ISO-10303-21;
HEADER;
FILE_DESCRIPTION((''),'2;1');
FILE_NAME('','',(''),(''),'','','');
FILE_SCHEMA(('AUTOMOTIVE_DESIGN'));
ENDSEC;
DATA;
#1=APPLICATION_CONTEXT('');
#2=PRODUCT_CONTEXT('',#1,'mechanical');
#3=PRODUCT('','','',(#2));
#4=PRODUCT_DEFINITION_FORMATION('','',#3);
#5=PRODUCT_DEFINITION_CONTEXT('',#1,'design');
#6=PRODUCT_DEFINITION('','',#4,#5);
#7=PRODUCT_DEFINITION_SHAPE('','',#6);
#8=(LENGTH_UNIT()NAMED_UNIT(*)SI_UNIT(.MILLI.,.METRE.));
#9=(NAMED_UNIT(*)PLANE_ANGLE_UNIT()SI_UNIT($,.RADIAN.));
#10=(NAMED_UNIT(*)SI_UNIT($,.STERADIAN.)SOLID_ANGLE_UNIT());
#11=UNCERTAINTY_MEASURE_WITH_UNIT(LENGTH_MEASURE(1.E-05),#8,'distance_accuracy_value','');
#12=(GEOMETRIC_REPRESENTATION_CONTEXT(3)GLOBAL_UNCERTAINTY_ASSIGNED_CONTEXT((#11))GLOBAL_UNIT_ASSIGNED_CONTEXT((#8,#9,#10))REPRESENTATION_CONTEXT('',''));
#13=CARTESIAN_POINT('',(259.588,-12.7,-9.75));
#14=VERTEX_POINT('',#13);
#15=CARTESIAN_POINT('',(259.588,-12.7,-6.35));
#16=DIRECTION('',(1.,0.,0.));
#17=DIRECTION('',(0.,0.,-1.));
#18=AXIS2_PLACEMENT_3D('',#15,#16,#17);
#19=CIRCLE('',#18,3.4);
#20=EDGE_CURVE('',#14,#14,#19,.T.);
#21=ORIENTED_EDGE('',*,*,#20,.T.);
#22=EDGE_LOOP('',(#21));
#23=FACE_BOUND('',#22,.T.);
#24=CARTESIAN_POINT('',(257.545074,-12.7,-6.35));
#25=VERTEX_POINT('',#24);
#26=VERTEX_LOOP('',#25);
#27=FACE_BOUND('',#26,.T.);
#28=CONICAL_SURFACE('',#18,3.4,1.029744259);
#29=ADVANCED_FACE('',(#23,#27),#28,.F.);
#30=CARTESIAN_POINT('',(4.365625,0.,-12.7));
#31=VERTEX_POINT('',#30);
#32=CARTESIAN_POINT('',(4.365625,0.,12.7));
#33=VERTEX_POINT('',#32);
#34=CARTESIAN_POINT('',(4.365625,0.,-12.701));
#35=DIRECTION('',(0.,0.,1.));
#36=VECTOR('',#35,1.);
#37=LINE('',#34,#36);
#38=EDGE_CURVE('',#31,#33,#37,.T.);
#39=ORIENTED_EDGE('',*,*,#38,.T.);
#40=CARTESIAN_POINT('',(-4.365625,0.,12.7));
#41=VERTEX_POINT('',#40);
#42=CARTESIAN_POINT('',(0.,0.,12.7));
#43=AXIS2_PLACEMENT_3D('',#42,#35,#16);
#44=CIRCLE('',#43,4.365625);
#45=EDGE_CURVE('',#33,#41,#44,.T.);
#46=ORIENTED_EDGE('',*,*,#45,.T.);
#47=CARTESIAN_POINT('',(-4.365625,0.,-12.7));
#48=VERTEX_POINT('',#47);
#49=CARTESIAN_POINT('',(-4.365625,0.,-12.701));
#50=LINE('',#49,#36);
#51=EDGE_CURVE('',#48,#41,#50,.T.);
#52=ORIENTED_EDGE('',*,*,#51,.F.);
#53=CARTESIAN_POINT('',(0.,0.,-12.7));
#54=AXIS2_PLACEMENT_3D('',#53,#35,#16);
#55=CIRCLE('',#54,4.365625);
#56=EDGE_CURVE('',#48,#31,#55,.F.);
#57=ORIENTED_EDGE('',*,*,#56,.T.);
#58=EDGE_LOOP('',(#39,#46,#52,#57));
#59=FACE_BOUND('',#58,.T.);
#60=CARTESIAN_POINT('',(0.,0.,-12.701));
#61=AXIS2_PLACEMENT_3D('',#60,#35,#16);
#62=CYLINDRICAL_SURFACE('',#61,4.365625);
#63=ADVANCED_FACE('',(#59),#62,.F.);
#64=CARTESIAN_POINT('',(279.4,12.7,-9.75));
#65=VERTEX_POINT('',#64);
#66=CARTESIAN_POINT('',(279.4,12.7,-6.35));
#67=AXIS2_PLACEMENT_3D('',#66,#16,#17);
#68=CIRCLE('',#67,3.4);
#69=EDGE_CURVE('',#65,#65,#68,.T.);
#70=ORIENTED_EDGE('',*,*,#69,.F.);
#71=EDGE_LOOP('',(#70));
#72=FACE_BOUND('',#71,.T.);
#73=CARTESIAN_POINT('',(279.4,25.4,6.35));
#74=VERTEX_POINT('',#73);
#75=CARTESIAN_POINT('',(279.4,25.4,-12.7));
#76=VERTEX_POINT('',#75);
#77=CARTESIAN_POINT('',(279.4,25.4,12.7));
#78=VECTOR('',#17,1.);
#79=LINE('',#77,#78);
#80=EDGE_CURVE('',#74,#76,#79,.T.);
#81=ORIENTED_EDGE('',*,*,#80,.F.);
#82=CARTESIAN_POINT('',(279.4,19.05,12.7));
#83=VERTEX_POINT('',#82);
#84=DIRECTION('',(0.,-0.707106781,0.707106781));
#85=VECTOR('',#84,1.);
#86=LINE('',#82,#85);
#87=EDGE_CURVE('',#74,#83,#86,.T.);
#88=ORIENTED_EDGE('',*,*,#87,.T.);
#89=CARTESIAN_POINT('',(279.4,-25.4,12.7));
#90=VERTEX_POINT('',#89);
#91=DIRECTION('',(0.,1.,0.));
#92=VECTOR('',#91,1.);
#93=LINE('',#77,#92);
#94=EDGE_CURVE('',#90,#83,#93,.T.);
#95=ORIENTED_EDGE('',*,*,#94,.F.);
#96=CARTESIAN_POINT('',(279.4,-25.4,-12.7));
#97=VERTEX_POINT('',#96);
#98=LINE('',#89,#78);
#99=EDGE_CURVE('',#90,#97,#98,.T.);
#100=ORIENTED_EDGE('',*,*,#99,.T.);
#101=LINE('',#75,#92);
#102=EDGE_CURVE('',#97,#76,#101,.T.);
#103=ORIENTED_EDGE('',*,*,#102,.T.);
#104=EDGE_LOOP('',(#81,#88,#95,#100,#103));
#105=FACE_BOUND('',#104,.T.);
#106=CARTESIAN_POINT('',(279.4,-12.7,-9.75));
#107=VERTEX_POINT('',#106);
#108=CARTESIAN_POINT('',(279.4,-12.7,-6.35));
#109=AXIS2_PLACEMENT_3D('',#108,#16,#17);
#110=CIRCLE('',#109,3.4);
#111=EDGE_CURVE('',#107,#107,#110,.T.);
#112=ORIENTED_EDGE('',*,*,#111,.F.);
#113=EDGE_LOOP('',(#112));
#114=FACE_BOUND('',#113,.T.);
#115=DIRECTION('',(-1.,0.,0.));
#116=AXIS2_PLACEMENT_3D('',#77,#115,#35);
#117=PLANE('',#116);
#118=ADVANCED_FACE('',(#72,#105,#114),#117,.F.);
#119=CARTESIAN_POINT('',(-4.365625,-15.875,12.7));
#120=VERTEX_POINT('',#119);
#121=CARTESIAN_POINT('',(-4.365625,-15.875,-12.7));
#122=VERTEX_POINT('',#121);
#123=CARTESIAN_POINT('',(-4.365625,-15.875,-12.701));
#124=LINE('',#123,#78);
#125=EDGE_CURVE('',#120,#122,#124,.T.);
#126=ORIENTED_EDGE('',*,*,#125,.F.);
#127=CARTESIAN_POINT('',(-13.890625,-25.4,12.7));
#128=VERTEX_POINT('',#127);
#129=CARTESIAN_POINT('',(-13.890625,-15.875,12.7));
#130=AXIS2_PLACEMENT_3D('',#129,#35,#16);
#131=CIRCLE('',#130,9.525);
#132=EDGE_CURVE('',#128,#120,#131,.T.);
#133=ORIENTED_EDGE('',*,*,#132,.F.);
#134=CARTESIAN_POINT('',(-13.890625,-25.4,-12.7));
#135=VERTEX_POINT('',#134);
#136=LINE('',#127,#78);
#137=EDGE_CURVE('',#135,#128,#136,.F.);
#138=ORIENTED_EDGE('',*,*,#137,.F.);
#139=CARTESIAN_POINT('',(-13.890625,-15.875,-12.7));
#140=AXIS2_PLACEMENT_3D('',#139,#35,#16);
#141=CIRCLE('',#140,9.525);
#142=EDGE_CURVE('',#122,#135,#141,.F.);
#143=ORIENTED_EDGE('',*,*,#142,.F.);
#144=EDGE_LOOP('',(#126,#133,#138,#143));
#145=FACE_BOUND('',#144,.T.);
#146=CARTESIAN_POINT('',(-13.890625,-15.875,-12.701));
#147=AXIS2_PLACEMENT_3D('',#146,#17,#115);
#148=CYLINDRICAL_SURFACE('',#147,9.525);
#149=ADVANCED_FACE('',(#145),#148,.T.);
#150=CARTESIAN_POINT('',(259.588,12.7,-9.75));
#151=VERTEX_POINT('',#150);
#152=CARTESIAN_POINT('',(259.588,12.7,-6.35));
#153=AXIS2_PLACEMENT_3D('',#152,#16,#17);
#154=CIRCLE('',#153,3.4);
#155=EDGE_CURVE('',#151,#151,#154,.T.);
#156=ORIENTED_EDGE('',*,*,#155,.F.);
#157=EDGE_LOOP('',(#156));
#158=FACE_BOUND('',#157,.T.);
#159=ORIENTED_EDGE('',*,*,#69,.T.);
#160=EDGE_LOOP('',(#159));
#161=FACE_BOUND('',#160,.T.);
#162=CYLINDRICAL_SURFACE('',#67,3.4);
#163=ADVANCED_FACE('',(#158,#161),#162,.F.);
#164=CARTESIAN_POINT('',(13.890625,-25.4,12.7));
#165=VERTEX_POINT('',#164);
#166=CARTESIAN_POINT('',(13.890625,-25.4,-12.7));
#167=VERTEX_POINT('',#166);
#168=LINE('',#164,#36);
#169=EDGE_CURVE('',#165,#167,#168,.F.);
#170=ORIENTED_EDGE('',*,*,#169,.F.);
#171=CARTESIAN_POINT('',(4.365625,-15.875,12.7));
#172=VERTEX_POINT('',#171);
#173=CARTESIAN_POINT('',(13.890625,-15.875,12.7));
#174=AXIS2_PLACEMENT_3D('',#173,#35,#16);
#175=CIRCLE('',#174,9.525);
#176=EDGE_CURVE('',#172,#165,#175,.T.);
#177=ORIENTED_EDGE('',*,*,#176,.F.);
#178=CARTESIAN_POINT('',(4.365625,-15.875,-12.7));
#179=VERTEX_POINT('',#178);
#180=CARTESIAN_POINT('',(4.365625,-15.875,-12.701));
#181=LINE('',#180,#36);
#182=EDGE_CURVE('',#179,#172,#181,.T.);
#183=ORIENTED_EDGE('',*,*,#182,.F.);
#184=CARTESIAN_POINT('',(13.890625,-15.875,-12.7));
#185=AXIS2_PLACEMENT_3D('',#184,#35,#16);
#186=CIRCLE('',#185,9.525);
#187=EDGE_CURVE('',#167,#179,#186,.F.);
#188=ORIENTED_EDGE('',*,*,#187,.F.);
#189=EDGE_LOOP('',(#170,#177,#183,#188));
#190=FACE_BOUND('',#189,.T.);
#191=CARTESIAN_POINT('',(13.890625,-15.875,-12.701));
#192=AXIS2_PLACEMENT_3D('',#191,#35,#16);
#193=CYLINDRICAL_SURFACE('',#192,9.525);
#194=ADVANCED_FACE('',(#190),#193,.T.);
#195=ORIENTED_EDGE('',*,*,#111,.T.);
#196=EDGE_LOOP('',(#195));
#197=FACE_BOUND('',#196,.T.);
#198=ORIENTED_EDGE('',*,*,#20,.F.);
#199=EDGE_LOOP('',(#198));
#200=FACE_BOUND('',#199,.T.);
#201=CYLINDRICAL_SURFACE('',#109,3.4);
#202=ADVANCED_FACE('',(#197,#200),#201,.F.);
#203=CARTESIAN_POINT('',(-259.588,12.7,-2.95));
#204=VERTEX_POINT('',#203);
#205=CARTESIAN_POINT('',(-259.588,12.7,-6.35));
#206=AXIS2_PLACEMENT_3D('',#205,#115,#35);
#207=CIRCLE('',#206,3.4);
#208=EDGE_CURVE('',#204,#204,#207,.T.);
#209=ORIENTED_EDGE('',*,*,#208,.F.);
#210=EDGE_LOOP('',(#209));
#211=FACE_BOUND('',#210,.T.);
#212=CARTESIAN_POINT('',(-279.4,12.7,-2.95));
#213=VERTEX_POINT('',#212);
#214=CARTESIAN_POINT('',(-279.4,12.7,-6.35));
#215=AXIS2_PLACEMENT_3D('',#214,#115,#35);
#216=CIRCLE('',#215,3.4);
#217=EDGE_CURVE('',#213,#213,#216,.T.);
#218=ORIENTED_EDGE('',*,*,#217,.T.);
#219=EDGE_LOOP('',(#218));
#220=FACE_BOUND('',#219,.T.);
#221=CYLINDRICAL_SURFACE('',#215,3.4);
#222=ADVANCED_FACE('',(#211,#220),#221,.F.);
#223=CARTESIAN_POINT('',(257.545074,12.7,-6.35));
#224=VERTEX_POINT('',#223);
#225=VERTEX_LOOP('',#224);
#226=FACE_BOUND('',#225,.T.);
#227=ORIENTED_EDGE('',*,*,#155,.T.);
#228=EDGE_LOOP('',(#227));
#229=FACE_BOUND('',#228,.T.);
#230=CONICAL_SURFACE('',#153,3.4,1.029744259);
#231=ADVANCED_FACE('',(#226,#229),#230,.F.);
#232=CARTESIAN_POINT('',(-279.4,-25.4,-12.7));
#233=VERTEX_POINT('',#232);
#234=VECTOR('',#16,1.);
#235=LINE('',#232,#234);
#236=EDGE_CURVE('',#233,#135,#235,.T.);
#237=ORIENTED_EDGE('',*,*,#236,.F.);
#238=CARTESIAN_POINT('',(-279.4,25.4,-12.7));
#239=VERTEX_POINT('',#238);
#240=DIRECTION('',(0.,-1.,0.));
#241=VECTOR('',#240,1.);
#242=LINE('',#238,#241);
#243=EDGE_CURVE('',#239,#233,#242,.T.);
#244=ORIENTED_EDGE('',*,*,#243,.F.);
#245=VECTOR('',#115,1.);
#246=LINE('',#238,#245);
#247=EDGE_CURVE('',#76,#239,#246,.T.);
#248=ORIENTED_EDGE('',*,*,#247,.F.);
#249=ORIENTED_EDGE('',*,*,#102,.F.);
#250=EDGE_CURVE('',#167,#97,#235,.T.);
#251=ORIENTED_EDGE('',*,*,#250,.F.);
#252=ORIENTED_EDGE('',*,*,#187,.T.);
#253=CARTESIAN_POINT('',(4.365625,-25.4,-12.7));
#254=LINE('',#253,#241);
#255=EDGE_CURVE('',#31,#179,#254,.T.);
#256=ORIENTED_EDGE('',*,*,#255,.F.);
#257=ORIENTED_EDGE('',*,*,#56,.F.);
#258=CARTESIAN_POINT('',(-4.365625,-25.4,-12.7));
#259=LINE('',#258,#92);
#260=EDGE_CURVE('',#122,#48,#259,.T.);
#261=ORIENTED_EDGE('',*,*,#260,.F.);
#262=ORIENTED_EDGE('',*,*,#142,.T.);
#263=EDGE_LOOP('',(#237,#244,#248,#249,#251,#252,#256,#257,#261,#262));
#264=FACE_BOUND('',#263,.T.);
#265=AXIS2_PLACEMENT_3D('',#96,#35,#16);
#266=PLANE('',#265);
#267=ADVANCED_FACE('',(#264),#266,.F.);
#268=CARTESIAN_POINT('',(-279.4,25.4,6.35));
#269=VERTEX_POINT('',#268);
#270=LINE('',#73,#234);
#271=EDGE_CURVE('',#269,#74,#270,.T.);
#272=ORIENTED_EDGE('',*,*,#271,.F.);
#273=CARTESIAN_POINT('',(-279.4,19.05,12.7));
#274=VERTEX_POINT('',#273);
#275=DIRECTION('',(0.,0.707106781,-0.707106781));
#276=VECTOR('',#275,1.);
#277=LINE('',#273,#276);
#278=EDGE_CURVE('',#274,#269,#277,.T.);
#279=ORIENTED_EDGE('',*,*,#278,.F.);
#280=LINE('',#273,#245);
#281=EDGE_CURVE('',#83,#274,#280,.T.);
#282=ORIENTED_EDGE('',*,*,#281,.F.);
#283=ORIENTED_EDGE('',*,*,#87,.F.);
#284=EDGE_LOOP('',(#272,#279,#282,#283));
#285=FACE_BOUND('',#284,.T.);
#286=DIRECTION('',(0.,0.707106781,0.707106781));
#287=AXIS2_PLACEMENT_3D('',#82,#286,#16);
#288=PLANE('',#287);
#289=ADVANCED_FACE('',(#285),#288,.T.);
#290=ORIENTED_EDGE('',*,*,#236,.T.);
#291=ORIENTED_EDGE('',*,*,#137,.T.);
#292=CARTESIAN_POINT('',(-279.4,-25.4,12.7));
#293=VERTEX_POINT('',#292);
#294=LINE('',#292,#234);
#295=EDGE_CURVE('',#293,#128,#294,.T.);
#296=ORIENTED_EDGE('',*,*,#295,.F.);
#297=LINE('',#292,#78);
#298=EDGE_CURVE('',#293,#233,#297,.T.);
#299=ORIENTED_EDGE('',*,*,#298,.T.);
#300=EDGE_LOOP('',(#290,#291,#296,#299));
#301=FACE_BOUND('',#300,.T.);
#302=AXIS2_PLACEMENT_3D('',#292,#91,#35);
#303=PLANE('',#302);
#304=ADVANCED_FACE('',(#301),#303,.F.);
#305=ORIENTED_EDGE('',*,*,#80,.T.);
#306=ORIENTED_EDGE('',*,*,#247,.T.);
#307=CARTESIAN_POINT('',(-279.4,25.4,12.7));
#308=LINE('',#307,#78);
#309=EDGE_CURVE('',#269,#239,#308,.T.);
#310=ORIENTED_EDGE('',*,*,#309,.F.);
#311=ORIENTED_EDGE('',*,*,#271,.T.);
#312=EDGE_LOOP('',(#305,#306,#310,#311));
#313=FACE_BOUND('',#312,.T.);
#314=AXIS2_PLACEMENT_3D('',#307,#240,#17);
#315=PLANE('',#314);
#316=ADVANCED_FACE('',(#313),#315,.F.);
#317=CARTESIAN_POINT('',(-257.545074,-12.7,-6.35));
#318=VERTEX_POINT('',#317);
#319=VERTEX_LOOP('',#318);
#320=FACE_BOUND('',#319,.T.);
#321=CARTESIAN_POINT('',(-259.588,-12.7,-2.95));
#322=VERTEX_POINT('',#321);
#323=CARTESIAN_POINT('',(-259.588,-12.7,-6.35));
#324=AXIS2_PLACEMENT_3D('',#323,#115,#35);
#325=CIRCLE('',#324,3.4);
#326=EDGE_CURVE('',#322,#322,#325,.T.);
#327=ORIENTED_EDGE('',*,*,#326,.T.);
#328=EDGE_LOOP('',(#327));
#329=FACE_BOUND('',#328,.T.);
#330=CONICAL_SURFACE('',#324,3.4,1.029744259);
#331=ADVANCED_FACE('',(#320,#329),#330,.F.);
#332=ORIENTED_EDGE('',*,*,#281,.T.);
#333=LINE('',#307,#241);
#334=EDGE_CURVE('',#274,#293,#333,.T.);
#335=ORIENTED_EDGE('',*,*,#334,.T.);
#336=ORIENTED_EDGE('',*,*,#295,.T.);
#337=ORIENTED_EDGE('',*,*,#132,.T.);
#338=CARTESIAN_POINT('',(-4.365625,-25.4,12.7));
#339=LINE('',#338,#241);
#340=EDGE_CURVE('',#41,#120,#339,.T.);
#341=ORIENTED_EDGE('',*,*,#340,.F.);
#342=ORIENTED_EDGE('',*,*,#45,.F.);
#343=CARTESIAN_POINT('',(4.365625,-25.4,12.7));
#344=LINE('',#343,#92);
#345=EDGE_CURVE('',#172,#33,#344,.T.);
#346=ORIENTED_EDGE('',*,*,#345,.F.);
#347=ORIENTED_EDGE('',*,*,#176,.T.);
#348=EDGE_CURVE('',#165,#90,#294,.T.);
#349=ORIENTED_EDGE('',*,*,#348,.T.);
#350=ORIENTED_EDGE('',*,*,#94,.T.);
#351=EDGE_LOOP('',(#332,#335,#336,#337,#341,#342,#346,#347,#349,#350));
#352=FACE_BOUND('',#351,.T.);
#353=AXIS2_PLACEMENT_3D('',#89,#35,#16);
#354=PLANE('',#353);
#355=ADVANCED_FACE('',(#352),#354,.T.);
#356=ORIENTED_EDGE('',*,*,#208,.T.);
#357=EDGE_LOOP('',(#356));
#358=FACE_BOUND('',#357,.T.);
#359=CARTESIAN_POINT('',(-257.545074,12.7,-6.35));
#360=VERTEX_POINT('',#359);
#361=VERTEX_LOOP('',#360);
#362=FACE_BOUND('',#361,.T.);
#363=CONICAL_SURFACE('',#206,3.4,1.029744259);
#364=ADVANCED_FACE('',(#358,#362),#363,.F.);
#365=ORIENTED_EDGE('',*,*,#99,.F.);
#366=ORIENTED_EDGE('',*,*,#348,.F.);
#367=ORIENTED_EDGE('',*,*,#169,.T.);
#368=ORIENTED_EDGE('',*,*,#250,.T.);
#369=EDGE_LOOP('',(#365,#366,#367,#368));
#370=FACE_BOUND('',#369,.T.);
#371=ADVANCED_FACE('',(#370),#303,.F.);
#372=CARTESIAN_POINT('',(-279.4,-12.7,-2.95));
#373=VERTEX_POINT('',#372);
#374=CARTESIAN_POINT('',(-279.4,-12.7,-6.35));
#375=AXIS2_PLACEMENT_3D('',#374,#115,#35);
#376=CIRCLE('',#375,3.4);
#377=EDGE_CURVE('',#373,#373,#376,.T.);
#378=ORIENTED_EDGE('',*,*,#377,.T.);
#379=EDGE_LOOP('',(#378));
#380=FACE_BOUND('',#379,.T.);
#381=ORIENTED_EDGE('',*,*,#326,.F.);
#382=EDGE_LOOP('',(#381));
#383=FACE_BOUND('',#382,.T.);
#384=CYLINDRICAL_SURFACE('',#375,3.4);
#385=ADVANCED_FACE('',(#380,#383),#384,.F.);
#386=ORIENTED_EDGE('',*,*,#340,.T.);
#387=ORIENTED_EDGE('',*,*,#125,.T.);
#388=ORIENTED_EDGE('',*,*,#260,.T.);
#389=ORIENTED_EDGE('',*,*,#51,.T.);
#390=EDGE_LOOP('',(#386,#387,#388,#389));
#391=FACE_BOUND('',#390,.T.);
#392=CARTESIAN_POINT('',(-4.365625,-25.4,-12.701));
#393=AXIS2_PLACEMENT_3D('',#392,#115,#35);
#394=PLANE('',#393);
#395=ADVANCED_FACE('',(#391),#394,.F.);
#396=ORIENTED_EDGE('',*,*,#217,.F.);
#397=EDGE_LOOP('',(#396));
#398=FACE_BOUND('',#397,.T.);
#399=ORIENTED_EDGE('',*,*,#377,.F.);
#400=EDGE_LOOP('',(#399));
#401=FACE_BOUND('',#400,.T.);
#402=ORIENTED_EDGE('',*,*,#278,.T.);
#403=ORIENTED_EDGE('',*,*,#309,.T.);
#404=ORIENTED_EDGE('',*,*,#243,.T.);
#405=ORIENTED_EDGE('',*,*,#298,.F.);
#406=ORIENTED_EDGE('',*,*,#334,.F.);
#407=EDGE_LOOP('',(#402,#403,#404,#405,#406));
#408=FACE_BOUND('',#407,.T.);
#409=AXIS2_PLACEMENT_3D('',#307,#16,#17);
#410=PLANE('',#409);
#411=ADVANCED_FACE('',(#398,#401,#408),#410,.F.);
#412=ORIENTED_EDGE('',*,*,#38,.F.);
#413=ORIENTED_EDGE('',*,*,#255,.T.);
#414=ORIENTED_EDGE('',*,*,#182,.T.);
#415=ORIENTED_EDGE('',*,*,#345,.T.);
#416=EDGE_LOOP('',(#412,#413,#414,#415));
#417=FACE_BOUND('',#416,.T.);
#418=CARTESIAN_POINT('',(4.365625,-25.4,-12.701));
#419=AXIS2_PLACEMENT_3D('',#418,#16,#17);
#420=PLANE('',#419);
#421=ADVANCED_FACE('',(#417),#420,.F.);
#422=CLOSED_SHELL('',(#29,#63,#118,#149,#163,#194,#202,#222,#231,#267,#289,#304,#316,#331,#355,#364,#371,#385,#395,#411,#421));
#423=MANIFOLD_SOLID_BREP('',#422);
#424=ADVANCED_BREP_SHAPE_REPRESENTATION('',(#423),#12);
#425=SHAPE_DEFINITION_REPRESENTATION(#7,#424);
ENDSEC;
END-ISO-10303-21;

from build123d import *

# Parameters (mm, degrees)
SKETCH1_W                  = 558.8
SKETCH1_H                  = 50.8
EXTRUDE1_DEPTH             = 12.7
CUT_EXTRUDE3_REACH         = 27.4
FILLET2_R                  = 9.525
M8X1_25_TAPPED_HOLE1_D     = 6.8
M8X1_25_TAPPED_HOLE1_DEPTH = 19.812
M8X1_25_TAPPED_HOLE1_TIP   = 2.042926105
M8X1_25_TAPPED_HOLE2_D     = 6.8
M8X1_25_TAPPED_HOLE2_DEPTH = 19.812
M8X1_25_TAPPED_HOLE2_TIP   = 2.042926105
CHAMFER1_SIZE              = 6.35


with BuildPart() as part:
    # Sketch1 → Extrude1 (new body, symmetric)
    with BuildSketch(Plane.XY):
        Rectangle(SKETCH1_W, SKETCH1_H)
    extrude(amount=EXTRUDE1_DEPTH, both=True)

    # Sketch4 → Cut-Extrude3 (cut, up to next)
    with BuildSketch(Plane.XY.offset(12.7), mode=Mode.PRIVATE) as cut_extrude3_sk1:
        with BuildLine():
            Line((-4.365625, -25.4), (-4.365625, 0))
            ThreePointArc((-4.365625, 0), (0, 4.365625), (4.365625, 0))
            Line((4.365625, 0), (4.365625, -25.4))
            ThreePointArc((4.365625, -25.4), (0, -29.765625), (-4.365625, -25.4))
        make_face()
    cut_extrude3_tool1 = extrude(cut_extrude3_sk1.sketch, amount=-CUT_EXTRUDE3_REACH, mode=Mode.PRIVATE) & part.part
    add(cut_extrude3_tool1.solids().sort_by_distance((0, -12.7, 12.7))[0], mode=Mode.SUBTRACT)

    # Fillet2
    fillet2_edges = [part.edges().sort_by_distance(p)[0] for p in [
        (-4.365625, -25.4, 0),
        (4.365625, -25.4, 0),
    ]]
    fillet(fillet2_edges, radius=FILLET2_R)

    # M8x1.25 Tapped Hole1
    with Locations(Plane(origin=(279.4, 0, 0), x_dir=(0, 0, -1), z_dir=(1, 0, 0))):
        with Locations((6.35, 12.7), (6.35, -12.7)):
            Hole(M8X1_25_TAPPED_HOLE1_D / 2, depth=M8X1_25_TAPPED_HOLE1_DEPTH)
            with Locations((0, 0, -(M8X1_25_TAPPED_HOLE1_DEPTH + M8X1_25_TAPPED_HOLE1_TIP / 2))):  # 118° drill point
                Cone(0, M8X1_25_TAPPED_HOLE1_D / 2, M8X1_25_TAPPED_HOLE1_TIP, mode=Mode.SUBTRACT)

    # M8x1.25 Tapped Hole2
    with Locations(Plane.ZY.offset(279.4)):
        with Locations((-6.35, 12.7), (-6.35, -12.7)):
            Hole(M8X1_25_TAPPED_HOLE2_D / 2, depth=M8X1_25_TAPPED_HOLE2_DEPTH)
            with Locations((0, 0, -(M8X1_25_TAPPED_HOLE2_DEPTH + M8X1_25_TAPPED_HOLE2_TIP / 2))):  # 118° drill point
                Cone(0, M8X1_25_TAPPED_HOLE2_D / 2, M8X1_25_TAPPED_HOLE2_TIP, mode=Mode.SUBTRACT)

    # Chamfer1
    chamfer1_edges = [part.edges().sort_by_distance(p)[0] for p in [
        (0, 25.4, 12.7),
    ]]
    chamfer(chamfer1_edges, length=CHAMFER1_SIZE)


solid = part.part
